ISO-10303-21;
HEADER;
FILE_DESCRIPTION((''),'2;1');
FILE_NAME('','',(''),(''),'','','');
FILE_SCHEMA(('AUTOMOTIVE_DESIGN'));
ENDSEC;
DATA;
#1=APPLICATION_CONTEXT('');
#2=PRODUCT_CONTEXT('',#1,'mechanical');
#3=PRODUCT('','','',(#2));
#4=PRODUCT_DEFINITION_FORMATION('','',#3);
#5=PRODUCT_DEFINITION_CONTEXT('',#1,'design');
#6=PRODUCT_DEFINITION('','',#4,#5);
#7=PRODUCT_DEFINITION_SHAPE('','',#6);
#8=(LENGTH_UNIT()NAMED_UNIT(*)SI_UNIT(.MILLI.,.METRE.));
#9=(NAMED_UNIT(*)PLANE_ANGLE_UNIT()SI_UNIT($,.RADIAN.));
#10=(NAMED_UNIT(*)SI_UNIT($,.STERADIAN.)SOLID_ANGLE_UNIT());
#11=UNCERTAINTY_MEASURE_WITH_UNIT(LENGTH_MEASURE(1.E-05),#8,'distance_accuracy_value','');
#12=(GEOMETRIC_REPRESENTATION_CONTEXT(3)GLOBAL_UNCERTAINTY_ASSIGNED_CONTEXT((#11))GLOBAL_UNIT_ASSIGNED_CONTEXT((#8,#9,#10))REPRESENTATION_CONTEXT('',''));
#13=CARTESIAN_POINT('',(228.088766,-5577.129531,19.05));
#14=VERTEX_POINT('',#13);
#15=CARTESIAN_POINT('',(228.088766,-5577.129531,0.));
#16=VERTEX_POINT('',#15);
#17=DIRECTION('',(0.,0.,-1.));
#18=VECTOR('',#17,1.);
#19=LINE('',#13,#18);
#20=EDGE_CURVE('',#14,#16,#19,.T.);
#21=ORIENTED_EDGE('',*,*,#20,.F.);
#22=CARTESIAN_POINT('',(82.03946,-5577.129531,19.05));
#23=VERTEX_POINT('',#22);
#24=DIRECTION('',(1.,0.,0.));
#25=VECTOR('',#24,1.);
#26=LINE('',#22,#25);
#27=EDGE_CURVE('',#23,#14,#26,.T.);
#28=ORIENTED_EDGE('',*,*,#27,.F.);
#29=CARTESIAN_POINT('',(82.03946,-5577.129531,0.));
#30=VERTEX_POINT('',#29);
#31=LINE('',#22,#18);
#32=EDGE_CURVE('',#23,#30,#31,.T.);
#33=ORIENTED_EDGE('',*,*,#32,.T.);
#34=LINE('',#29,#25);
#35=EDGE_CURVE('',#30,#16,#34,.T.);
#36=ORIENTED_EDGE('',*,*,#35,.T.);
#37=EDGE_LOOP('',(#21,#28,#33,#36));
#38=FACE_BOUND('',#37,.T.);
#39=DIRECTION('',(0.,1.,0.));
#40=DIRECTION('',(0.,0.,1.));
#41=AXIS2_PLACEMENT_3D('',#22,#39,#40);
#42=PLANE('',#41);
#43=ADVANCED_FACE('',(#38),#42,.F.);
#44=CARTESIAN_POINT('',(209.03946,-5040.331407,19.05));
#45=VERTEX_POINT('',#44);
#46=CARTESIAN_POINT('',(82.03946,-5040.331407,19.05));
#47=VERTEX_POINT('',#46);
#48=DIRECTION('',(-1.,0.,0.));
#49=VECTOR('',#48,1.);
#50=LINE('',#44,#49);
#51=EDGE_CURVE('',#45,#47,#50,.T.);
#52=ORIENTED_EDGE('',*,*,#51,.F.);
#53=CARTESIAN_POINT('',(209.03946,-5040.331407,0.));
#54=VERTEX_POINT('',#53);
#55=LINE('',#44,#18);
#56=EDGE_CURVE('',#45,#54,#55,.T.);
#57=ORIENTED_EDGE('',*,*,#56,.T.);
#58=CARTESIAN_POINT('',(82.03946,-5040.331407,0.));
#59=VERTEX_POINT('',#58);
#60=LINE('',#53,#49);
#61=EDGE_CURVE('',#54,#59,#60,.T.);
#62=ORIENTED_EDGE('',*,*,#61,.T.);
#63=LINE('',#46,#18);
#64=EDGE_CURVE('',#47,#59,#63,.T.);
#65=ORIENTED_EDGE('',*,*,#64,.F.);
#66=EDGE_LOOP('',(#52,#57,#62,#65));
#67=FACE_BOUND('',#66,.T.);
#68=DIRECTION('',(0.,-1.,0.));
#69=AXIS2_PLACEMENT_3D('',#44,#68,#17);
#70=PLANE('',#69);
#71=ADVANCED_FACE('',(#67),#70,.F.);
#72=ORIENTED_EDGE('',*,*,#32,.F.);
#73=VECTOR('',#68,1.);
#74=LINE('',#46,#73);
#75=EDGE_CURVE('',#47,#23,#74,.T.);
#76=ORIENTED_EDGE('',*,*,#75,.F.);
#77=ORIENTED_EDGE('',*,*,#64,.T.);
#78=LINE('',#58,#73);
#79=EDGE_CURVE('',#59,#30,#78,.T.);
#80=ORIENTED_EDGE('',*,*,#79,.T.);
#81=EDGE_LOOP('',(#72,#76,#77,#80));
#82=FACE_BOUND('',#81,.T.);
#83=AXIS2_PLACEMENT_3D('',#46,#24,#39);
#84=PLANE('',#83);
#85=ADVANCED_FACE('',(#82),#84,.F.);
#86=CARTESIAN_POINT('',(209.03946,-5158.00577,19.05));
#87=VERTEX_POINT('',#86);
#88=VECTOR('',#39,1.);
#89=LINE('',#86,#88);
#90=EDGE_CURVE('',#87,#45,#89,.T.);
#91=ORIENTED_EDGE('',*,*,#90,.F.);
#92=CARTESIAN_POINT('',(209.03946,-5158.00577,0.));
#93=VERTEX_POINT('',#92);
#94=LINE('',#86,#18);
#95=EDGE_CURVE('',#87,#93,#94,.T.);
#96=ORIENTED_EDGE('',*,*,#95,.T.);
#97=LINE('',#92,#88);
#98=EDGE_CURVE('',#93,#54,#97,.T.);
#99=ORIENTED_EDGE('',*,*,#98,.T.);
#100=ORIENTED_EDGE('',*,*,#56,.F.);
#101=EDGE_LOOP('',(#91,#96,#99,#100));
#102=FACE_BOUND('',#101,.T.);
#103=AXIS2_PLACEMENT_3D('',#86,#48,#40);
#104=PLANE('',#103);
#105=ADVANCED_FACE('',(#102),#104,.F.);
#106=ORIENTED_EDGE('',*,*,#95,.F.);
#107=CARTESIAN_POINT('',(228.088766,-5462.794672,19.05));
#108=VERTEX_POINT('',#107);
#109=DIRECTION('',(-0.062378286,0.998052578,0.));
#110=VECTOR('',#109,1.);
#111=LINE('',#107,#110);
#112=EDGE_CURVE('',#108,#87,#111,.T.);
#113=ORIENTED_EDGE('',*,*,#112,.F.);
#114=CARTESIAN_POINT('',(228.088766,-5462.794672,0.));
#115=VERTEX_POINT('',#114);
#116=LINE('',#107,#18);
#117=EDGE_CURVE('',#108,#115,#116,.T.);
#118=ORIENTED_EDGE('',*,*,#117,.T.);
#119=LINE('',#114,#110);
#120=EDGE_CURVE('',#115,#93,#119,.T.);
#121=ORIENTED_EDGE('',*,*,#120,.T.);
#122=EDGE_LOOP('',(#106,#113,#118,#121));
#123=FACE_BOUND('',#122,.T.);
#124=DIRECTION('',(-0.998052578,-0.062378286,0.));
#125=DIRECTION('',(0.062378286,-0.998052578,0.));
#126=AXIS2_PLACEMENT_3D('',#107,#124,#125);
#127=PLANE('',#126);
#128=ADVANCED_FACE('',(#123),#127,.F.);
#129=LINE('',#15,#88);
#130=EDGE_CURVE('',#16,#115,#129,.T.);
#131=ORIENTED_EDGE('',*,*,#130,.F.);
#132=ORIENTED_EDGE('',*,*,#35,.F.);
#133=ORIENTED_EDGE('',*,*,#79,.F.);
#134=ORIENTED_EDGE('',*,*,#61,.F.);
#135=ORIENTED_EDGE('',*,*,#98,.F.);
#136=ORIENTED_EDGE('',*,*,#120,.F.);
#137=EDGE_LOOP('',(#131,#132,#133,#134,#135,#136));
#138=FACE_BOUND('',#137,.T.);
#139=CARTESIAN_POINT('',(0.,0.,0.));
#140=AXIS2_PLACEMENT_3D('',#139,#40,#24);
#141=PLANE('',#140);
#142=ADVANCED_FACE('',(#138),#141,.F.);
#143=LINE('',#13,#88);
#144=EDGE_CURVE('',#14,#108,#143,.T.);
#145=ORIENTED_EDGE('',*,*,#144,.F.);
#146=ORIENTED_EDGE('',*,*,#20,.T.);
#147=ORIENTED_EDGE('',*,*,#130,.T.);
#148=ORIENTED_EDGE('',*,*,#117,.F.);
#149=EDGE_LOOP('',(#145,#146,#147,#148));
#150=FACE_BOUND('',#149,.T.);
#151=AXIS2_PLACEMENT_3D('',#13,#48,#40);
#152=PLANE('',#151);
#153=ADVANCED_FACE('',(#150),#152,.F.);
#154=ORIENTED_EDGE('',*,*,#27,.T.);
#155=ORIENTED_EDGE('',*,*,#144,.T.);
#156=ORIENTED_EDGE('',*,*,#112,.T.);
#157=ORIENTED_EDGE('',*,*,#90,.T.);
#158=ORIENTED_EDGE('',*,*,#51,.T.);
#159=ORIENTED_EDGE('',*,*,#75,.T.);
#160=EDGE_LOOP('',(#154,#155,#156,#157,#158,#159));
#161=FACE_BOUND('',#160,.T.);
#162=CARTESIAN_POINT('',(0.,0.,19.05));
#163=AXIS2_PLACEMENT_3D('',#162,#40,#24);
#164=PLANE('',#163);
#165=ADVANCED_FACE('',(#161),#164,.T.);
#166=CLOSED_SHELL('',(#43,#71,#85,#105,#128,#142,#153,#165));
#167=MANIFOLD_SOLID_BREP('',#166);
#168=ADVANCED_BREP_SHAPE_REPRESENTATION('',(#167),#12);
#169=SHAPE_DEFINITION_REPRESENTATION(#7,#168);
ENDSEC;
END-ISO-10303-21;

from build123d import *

# Parameters (mm, degrees)
BOSS_EXTRUDE1_DEPTH = 19.05


with BuildPart() as part:
    # Sketch1 → Boss-Extrude1 (new body)
    with BuildSketch(Plane.XY):
        Polygon((82.03946, -5040.331407449), (82.03946, -5577.129530575), (228.088766336, -5577.129530575), (228.088766336, -5462.794671748), (209.03946, -5158.005770365), (209.03946, -5040.331407449), align=None)
    extrude(amount=BOSS_EXTRUDE1_DEPTH)


solid = part.part
